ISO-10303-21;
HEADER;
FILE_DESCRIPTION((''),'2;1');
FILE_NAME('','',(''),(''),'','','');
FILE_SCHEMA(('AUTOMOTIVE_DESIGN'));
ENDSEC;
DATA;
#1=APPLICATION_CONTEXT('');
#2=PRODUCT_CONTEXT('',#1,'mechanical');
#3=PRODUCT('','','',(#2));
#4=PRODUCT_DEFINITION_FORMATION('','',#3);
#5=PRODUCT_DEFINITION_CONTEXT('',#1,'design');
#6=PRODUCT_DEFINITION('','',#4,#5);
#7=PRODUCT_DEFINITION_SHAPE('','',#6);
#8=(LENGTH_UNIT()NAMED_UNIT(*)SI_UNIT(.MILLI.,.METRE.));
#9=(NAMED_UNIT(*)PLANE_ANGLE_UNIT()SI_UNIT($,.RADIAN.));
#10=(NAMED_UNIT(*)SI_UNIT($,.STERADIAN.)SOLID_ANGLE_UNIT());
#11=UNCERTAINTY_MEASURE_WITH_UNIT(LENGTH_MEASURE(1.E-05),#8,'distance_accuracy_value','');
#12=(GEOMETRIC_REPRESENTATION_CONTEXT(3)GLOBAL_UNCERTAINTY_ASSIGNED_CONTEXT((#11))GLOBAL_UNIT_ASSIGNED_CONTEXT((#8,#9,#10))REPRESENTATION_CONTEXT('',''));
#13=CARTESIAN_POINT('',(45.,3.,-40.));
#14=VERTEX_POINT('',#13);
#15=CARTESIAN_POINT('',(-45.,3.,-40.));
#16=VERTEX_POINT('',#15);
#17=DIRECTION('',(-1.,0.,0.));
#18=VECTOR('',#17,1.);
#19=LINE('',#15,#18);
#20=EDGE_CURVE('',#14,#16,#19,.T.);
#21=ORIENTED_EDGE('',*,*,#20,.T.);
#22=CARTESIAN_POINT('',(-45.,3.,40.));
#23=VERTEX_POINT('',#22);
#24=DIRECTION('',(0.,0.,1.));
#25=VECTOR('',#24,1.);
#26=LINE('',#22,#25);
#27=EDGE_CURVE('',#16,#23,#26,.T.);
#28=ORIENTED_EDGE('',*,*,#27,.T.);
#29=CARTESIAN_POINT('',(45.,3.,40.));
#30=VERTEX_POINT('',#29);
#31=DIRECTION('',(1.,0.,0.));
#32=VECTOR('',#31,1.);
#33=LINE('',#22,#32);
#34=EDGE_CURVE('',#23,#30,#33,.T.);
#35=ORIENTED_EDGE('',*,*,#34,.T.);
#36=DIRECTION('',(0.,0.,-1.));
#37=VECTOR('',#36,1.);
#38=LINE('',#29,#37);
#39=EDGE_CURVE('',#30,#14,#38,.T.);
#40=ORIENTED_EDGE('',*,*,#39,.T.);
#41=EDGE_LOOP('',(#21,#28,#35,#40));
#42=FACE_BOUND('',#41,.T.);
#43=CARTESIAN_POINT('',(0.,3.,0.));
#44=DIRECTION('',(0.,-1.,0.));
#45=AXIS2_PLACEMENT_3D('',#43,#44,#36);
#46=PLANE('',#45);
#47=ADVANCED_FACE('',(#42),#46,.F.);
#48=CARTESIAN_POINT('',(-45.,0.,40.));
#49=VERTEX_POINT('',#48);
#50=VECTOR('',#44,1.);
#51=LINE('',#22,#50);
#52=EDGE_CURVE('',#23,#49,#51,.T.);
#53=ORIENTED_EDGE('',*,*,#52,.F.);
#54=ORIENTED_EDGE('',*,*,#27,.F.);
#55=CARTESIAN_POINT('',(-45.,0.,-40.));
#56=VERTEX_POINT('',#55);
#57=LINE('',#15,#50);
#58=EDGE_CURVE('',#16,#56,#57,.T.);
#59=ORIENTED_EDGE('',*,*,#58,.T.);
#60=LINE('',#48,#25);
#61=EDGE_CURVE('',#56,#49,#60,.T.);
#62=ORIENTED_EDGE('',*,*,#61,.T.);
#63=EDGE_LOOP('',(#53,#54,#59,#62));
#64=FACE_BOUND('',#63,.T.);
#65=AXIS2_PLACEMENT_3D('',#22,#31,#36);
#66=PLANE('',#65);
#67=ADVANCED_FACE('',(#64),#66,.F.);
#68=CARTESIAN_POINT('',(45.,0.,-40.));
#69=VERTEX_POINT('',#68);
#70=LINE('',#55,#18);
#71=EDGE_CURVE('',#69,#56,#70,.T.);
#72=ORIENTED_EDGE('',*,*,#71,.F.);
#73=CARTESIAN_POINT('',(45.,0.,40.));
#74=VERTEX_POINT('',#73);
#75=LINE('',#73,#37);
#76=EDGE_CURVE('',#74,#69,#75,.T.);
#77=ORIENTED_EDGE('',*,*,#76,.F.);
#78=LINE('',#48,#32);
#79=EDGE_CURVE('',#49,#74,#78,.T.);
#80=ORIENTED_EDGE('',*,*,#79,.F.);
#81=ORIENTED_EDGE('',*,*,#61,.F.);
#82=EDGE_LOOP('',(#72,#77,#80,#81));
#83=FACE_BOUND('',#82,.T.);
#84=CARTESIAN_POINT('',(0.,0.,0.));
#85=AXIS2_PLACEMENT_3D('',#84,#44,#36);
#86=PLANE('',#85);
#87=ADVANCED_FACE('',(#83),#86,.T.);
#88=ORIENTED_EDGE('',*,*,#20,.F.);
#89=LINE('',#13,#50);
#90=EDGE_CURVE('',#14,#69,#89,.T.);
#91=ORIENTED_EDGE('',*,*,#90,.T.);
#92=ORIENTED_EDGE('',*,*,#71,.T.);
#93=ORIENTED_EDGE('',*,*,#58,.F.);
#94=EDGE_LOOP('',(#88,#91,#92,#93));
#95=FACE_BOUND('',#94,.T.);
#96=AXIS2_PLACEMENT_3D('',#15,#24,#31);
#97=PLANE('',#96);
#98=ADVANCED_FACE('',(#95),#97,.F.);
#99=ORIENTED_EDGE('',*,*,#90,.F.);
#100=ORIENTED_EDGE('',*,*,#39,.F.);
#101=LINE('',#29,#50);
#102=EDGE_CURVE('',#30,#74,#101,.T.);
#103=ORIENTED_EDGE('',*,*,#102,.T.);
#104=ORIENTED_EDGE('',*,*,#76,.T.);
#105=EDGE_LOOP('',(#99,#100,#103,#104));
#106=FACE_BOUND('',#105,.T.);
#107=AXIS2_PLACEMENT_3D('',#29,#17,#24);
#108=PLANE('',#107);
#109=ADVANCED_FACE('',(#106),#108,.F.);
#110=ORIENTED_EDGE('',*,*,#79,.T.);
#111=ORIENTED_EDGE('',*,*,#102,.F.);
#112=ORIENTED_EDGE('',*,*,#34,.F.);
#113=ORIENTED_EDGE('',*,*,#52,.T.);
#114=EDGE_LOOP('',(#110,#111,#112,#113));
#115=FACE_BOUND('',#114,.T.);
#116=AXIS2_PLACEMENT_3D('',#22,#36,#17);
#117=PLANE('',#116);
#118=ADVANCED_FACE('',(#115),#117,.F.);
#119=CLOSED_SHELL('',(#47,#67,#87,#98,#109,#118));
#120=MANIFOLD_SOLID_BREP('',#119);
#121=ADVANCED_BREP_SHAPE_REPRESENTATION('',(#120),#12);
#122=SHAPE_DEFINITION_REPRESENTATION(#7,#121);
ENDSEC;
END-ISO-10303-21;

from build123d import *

# Parameters (mm, degrees)
SKETCH_1_W      = 90
SKETCH_1_H      = 80
EXTRUDE_1_DEPTH = 3


with BuildPart() as part:
    # 草图1 → 凸台-拉伸1 (new body)
    with BuildSketch(Plane(origin=(0, 0, 0), x_dir=(1, 0, 0), z_dir=(0, 1, 0))):
        Rectangle(SKETCH_1_W, SKETCH_1_H)
    extrude(amount=EXTRUDE_1_DEPTH)


solid = part.part
